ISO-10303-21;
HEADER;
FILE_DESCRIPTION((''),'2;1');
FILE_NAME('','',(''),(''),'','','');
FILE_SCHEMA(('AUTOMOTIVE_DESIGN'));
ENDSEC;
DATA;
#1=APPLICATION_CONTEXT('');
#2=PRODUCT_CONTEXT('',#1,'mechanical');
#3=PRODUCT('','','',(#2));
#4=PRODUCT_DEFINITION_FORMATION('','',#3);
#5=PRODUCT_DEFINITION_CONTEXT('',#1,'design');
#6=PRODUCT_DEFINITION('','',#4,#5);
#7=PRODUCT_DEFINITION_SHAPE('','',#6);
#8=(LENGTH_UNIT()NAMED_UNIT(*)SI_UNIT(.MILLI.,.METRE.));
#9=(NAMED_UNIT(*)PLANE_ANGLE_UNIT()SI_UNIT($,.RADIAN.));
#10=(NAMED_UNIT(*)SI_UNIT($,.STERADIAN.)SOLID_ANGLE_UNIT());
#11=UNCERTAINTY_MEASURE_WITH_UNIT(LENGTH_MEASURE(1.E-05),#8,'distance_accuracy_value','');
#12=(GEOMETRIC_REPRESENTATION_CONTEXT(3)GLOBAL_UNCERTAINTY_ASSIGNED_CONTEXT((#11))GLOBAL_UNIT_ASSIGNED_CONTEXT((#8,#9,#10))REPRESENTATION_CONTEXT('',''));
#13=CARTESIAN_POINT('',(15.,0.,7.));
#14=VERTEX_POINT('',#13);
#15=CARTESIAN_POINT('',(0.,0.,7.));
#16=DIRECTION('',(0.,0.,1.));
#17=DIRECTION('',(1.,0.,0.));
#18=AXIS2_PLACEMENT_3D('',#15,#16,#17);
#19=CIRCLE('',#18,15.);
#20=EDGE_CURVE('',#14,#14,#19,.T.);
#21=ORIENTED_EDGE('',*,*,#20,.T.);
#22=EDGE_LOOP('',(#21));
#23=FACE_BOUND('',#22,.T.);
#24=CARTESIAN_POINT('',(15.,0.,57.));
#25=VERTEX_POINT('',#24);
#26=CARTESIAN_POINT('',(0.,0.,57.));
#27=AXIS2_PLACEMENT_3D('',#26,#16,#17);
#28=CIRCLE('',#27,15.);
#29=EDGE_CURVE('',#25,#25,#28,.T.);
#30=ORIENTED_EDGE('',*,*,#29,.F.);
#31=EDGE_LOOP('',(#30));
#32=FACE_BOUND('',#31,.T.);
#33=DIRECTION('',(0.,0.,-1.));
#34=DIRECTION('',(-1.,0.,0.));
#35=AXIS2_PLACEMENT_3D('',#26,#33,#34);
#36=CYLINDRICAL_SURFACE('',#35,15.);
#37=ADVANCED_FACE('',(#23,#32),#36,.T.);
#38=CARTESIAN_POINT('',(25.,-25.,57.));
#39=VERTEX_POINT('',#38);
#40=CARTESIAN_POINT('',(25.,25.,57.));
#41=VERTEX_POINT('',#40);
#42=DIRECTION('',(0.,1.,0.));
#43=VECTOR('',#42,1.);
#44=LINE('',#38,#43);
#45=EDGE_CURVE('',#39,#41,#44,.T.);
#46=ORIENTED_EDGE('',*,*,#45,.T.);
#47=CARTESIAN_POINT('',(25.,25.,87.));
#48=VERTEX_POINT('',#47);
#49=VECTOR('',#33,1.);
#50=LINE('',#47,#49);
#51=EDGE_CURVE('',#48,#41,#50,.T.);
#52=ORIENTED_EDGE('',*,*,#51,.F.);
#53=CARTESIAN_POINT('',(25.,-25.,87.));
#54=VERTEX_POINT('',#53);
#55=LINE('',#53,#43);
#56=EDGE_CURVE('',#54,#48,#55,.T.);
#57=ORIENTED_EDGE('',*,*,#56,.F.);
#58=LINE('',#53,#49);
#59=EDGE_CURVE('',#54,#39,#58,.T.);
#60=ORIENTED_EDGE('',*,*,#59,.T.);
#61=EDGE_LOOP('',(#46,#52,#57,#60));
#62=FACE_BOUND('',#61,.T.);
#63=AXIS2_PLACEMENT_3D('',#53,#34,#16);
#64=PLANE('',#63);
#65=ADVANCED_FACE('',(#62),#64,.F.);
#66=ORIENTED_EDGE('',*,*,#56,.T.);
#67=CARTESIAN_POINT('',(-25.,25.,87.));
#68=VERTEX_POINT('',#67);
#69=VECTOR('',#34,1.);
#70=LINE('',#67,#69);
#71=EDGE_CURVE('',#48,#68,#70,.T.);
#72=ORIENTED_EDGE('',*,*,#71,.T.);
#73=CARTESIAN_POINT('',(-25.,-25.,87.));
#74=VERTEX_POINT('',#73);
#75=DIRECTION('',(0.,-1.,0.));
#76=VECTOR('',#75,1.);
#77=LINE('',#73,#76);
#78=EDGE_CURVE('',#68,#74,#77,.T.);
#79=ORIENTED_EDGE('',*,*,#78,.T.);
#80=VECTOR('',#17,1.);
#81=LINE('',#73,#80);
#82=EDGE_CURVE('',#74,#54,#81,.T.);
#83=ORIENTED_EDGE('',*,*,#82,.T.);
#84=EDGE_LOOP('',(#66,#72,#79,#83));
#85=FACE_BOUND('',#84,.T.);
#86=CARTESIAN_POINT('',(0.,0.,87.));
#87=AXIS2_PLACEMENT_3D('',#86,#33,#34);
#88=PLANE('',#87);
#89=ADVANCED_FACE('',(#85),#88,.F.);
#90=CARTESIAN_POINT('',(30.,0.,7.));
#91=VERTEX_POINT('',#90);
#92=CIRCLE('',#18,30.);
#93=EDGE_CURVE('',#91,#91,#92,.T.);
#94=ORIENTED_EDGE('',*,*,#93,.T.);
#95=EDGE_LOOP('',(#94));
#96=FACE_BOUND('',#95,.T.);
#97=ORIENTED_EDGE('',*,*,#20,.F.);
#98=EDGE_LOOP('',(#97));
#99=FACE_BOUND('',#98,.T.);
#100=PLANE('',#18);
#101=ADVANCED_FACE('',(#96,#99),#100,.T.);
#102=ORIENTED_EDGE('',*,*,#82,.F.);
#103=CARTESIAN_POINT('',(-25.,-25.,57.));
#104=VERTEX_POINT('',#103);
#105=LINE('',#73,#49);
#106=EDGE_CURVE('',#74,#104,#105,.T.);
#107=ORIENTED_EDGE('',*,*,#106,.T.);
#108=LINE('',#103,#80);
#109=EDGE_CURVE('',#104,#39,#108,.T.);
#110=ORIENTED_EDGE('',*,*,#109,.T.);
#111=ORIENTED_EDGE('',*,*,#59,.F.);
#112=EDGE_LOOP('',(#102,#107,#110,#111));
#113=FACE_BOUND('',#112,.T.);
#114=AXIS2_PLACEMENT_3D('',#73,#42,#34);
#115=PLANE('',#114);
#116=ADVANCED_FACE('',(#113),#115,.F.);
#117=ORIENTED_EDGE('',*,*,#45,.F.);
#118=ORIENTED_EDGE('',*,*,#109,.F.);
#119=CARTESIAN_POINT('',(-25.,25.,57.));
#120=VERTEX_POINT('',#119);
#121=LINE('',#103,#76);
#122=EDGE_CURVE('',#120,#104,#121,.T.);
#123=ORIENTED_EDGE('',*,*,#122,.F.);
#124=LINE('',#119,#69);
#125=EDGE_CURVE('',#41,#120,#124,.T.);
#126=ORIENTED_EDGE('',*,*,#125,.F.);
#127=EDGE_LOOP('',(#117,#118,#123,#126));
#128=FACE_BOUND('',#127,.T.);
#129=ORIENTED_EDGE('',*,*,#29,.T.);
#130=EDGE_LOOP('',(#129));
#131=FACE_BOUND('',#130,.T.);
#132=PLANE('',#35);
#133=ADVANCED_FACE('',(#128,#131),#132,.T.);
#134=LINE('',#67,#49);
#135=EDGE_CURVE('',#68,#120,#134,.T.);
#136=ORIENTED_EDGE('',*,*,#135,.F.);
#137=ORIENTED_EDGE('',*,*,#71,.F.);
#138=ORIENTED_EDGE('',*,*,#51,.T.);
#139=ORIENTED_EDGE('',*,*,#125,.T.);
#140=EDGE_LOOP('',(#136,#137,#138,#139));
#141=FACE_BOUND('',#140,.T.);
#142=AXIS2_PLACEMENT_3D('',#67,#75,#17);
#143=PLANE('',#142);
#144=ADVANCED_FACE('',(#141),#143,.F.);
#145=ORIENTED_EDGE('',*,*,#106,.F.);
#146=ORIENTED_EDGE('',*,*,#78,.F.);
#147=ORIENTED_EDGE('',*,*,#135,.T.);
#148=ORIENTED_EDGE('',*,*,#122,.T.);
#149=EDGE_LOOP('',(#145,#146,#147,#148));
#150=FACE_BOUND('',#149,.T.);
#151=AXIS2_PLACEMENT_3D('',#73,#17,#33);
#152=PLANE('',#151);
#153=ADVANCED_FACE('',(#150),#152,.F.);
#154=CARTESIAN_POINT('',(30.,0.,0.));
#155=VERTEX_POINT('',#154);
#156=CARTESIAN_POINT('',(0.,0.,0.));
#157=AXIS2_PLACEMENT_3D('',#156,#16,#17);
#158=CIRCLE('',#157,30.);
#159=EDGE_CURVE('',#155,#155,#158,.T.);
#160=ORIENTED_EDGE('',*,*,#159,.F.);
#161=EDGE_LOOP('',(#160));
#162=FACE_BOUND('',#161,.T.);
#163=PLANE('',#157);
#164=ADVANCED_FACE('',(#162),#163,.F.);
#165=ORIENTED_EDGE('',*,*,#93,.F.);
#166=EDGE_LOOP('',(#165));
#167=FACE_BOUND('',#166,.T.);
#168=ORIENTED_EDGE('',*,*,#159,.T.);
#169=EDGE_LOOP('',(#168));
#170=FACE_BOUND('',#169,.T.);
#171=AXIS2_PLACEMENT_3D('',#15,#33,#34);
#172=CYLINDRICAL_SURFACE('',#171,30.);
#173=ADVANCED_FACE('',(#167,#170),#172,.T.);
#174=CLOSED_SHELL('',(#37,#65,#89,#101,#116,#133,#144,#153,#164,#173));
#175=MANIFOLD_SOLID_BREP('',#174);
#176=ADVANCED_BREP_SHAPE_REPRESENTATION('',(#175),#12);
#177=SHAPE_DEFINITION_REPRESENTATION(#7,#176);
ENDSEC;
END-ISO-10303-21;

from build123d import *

# Parameters (mm, degrees)
SKETCH_1_R      = 30
EXTRUDE_1_DEPTH = 7
SKETCH_2_R      = 15
EXTRUDE_2_DEPTH = 50
SKETCH_3_W      = 50
SKETCH_3_H      = 50
EXTRUDE_3_DEPTH = 30


with BuildPart() as part:
    # 스케치1 → 보스-돌출1 (new body)
    with BuildSketch(Plane.XY):
        Circle(SKETCH_1_R)
    extrude(amount=EXTRUDE_1_DEPTH)

    # 스케치2 → 보스-돌출2 (add)
    with BuildSketch(Plane.XY.offset(7)):
        Circle(SKETCH_2_R)
    extrude(amount=EXTRUDE_2_DEPTH)

    # 스케치3 → 보스-돌출3 (add)
    with BuildSketch(Plane.XY.offset(57)):
        Rectangle(SKETCH_3_W, SKETCH_3_H)
    extrude(amount=EXTRUDE_3_DEPTH)


solid = part.part
